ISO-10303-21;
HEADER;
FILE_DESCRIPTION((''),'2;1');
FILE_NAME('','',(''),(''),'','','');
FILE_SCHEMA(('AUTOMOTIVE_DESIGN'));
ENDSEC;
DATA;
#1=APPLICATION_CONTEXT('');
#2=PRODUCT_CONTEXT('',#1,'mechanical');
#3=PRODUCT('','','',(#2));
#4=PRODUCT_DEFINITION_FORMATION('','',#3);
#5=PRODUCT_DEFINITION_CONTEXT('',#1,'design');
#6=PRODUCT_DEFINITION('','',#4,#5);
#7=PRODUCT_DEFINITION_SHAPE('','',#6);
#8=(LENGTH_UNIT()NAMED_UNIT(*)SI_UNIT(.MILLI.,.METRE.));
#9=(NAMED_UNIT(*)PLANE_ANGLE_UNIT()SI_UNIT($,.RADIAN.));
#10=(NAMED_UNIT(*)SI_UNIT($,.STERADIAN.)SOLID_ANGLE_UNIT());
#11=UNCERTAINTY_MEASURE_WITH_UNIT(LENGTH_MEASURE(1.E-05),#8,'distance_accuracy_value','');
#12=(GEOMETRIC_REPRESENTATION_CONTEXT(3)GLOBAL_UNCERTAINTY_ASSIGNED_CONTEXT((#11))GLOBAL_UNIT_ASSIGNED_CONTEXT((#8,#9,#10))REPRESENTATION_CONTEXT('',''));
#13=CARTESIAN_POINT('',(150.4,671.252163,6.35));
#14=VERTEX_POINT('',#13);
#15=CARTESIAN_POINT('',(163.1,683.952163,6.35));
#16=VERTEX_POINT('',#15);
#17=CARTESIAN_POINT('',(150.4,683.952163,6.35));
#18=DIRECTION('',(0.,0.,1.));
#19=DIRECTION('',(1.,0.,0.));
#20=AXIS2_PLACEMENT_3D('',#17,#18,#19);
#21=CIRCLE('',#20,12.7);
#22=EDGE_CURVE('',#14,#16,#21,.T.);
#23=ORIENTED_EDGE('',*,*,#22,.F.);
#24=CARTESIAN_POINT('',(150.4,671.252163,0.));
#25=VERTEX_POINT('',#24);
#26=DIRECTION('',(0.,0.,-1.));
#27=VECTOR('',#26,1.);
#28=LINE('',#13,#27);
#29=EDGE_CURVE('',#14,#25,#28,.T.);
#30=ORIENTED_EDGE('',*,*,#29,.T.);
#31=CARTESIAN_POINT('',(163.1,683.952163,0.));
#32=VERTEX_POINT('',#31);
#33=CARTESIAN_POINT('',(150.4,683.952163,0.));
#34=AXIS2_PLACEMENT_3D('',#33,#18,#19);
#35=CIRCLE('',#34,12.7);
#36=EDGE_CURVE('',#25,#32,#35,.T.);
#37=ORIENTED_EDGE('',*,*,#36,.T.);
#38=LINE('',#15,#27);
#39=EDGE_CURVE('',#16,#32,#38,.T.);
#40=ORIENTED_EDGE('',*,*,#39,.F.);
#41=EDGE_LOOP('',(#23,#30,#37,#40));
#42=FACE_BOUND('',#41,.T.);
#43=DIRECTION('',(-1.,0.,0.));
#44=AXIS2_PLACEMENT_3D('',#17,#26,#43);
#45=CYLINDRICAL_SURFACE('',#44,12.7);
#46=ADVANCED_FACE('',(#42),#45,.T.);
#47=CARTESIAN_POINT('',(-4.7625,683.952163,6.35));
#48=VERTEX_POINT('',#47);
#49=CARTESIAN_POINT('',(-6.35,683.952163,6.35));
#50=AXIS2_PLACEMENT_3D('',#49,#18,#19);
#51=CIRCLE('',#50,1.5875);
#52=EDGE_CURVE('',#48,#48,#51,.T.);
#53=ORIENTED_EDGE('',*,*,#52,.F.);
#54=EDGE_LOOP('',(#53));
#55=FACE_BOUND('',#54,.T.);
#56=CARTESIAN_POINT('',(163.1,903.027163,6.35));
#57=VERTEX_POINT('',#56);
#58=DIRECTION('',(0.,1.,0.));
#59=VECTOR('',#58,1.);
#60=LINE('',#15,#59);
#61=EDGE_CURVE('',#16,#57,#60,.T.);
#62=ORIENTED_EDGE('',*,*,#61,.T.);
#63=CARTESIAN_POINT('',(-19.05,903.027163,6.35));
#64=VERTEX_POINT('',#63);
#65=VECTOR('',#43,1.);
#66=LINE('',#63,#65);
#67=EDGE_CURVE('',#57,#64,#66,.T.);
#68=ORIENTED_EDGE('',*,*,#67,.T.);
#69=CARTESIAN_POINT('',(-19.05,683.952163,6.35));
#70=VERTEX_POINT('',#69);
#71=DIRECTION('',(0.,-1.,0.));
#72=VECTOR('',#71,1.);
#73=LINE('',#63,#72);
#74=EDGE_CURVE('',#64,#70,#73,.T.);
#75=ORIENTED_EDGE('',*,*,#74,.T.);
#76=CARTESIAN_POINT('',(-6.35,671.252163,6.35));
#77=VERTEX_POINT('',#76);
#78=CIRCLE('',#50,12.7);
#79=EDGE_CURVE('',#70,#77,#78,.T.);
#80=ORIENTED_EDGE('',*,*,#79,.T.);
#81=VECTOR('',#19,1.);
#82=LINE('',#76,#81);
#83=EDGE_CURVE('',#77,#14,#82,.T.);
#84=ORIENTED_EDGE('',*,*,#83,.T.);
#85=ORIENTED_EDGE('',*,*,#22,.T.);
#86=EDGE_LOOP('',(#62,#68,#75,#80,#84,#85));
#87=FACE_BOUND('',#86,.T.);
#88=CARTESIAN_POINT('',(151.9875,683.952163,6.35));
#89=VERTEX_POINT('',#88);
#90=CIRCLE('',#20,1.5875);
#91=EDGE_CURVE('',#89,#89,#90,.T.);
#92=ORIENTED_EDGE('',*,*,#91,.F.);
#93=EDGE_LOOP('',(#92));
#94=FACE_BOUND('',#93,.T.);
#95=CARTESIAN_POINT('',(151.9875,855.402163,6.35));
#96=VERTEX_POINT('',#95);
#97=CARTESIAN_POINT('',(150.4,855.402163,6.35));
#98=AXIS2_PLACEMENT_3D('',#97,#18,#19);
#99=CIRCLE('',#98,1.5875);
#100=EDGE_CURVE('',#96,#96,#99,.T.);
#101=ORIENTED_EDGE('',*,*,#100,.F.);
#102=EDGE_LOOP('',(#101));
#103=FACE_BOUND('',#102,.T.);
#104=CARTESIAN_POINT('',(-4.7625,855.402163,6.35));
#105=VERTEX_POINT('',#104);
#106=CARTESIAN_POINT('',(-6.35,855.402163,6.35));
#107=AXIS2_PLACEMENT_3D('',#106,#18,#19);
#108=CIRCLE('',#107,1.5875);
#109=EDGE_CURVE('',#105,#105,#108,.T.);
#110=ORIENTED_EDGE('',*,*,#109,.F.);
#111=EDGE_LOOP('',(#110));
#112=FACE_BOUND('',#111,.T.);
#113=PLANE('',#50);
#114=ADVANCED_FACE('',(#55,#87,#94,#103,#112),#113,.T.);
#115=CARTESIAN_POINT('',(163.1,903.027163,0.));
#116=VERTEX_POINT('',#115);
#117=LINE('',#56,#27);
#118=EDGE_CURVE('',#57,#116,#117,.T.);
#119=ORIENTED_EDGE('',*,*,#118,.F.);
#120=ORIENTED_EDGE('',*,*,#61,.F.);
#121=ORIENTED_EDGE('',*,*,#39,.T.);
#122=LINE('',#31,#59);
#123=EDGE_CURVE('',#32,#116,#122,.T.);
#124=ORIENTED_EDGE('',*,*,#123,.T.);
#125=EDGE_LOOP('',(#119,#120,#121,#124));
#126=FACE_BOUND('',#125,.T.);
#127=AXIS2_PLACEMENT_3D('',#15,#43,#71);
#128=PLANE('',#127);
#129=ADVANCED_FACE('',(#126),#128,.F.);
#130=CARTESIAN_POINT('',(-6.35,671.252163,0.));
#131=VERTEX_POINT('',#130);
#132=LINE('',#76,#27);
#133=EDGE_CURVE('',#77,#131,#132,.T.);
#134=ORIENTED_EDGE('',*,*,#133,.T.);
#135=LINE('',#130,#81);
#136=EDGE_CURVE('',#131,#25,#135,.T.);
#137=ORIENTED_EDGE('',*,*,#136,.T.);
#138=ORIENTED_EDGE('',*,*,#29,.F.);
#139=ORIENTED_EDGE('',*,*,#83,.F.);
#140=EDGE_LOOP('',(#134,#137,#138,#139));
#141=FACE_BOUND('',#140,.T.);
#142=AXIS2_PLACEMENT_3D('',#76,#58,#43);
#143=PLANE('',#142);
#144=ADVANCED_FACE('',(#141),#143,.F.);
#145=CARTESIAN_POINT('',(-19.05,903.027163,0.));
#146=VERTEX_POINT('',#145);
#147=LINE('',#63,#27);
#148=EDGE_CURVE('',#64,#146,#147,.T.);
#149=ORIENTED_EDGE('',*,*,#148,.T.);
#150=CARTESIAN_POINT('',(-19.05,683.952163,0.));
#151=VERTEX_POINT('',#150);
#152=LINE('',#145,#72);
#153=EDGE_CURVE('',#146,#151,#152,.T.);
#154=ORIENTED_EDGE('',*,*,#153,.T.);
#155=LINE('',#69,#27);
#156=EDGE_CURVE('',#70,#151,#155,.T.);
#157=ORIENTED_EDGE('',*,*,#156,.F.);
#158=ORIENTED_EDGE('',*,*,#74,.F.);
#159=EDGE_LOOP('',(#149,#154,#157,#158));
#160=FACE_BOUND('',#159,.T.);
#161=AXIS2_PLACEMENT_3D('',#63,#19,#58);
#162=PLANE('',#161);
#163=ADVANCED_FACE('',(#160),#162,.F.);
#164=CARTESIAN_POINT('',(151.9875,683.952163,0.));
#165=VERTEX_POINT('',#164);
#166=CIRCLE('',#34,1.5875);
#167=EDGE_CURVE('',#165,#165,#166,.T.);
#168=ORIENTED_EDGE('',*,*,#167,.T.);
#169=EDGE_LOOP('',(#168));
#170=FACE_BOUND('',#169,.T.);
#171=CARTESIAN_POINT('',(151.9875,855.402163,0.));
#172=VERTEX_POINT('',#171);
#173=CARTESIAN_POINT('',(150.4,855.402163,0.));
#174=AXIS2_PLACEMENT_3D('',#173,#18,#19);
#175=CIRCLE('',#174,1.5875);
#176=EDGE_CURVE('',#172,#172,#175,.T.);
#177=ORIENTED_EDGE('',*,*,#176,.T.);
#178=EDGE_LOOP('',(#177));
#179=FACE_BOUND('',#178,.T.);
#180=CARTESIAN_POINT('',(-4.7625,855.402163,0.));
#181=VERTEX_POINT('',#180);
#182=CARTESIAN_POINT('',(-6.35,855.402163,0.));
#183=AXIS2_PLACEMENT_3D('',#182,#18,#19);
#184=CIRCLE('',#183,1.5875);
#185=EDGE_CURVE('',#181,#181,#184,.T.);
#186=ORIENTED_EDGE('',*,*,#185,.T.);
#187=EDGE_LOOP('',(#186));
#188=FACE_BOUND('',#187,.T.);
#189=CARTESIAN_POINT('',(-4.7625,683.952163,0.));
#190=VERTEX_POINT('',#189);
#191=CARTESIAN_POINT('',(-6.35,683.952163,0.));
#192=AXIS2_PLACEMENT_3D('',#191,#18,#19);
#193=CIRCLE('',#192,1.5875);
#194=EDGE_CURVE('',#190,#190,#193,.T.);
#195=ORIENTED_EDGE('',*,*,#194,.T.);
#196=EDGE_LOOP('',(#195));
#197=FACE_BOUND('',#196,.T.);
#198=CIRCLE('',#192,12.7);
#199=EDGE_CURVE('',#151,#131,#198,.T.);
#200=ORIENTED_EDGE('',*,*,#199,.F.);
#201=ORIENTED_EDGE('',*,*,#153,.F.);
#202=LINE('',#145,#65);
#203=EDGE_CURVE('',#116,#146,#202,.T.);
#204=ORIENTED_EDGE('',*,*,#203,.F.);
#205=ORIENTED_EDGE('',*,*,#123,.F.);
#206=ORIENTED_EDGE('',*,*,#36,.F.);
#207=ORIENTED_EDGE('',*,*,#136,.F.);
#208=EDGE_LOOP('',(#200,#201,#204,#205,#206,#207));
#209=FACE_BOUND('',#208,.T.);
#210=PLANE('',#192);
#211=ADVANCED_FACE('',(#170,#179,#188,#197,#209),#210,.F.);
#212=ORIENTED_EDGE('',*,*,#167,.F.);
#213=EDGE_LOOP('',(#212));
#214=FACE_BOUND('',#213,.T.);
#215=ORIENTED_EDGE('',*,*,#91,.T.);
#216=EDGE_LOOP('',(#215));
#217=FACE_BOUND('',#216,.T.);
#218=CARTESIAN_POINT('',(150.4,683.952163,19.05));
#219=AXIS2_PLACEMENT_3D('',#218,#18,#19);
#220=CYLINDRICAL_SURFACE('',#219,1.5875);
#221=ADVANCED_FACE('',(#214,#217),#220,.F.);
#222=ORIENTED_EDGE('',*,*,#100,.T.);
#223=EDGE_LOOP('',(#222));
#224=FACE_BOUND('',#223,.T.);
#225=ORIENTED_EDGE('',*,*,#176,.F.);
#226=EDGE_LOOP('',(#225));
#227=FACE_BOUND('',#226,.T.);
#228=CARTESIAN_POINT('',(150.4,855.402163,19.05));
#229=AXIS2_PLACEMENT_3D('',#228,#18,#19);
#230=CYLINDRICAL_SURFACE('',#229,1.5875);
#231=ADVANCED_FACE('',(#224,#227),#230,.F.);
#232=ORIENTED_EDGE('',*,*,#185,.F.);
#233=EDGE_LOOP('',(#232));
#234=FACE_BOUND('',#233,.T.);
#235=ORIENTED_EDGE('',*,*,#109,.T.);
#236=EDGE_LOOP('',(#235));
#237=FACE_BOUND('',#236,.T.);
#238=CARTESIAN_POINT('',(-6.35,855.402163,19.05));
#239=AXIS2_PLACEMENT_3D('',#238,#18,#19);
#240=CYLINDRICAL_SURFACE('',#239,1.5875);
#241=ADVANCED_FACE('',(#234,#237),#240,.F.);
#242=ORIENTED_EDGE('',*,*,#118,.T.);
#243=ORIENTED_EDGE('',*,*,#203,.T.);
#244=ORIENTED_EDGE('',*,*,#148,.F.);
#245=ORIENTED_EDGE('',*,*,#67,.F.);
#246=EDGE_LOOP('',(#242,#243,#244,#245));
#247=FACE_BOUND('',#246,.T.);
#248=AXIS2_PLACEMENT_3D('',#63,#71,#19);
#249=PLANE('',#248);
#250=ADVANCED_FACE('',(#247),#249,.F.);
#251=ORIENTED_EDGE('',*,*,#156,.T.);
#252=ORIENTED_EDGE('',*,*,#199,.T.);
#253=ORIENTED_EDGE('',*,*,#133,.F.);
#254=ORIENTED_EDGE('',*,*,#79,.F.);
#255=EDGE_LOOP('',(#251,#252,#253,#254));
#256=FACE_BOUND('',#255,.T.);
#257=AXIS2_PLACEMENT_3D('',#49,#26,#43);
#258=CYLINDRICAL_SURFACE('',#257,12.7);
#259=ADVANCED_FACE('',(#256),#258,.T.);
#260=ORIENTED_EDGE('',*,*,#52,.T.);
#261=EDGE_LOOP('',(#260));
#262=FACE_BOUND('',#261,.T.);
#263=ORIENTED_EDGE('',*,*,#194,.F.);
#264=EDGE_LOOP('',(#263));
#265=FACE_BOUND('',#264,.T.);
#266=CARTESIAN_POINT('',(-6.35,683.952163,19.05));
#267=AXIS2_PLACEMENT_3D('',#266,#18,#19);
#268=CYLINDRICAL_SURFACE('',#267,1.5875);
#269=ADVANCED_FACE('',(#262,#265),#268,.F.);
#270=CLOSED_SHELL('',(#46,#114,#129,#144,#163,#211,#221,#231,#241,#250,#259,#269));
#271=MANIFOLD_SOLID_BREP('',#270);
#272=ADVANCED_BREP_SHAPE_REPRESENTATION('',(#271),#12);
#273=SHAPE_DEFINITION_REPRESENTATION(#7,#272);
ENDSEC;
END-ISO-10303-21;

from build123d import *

# Parameters (mm, degrees)
BOSS_EXTRUDE1_DEPTH = 6.35
HOLE1_D             = 3.175
HOLE1_DEPTH         = 31.75
HOLE1_CSINK_D       = 10.16
HOLE1_CSINK_ANGLE   = 82
HOLE1_TIP           = 0.953866233


with BuildPart() as part:
    # Sketch1 → Boss-Extrude1 (new body)
    with BuildSketch(Plane.XY):
        with BuildLine():
            Line((-19.05, 903.02716301), (163.099999994, 903.02716301))
            Line((163.099999994, 903.02716301), (163.099999994, 683.95216301))
            ThreePointArc((163.099999994, 683.95216301), (159.380256115, 674.971906889), (150.399999994, 671.25216301))
            Line((150.399999994, 671.25216301), (-6.35, 671.25216301))
            ThreePointArc((-6.35, 671.25216301), (-15.330256121, 674.971906889), (-19.05, 683.95216301))
            Line((-19.05, 683.95216301), (-19.05, 903.02716301))
        make_face()
    extrude(amount=BOSS_EXTRUDE1_DEPTH)

    # Hole1
    with Locations(Plane(origin=(72.024999997, -454.785607328, 19.05), x_dir=(1, 0, 0), z_dir=(0, 0, 1))):
        with Locations((-78.374999997, 1310.187770337), (-78.374999997, 1138.737770337), (78.374999997, 1138.737770337), (78.374999997, 1310.187770337)):
            CounterSinkHole(HOLE1_D / 2, HOLE1_CSINK_D / 2, depth=HOLE1_DEPTH, counter_sink_angle=HOLE1_CSINK_ANGLE)
            with Locations((0, 0, -(HOLE1_DEPTH + HOLE1_TIP / 2))):  # 118° drill point
                Cone(0, HOLE1_D / 2, HOLE1_TIP, mode=Mode.SUBTRACT)


solid = part.part
